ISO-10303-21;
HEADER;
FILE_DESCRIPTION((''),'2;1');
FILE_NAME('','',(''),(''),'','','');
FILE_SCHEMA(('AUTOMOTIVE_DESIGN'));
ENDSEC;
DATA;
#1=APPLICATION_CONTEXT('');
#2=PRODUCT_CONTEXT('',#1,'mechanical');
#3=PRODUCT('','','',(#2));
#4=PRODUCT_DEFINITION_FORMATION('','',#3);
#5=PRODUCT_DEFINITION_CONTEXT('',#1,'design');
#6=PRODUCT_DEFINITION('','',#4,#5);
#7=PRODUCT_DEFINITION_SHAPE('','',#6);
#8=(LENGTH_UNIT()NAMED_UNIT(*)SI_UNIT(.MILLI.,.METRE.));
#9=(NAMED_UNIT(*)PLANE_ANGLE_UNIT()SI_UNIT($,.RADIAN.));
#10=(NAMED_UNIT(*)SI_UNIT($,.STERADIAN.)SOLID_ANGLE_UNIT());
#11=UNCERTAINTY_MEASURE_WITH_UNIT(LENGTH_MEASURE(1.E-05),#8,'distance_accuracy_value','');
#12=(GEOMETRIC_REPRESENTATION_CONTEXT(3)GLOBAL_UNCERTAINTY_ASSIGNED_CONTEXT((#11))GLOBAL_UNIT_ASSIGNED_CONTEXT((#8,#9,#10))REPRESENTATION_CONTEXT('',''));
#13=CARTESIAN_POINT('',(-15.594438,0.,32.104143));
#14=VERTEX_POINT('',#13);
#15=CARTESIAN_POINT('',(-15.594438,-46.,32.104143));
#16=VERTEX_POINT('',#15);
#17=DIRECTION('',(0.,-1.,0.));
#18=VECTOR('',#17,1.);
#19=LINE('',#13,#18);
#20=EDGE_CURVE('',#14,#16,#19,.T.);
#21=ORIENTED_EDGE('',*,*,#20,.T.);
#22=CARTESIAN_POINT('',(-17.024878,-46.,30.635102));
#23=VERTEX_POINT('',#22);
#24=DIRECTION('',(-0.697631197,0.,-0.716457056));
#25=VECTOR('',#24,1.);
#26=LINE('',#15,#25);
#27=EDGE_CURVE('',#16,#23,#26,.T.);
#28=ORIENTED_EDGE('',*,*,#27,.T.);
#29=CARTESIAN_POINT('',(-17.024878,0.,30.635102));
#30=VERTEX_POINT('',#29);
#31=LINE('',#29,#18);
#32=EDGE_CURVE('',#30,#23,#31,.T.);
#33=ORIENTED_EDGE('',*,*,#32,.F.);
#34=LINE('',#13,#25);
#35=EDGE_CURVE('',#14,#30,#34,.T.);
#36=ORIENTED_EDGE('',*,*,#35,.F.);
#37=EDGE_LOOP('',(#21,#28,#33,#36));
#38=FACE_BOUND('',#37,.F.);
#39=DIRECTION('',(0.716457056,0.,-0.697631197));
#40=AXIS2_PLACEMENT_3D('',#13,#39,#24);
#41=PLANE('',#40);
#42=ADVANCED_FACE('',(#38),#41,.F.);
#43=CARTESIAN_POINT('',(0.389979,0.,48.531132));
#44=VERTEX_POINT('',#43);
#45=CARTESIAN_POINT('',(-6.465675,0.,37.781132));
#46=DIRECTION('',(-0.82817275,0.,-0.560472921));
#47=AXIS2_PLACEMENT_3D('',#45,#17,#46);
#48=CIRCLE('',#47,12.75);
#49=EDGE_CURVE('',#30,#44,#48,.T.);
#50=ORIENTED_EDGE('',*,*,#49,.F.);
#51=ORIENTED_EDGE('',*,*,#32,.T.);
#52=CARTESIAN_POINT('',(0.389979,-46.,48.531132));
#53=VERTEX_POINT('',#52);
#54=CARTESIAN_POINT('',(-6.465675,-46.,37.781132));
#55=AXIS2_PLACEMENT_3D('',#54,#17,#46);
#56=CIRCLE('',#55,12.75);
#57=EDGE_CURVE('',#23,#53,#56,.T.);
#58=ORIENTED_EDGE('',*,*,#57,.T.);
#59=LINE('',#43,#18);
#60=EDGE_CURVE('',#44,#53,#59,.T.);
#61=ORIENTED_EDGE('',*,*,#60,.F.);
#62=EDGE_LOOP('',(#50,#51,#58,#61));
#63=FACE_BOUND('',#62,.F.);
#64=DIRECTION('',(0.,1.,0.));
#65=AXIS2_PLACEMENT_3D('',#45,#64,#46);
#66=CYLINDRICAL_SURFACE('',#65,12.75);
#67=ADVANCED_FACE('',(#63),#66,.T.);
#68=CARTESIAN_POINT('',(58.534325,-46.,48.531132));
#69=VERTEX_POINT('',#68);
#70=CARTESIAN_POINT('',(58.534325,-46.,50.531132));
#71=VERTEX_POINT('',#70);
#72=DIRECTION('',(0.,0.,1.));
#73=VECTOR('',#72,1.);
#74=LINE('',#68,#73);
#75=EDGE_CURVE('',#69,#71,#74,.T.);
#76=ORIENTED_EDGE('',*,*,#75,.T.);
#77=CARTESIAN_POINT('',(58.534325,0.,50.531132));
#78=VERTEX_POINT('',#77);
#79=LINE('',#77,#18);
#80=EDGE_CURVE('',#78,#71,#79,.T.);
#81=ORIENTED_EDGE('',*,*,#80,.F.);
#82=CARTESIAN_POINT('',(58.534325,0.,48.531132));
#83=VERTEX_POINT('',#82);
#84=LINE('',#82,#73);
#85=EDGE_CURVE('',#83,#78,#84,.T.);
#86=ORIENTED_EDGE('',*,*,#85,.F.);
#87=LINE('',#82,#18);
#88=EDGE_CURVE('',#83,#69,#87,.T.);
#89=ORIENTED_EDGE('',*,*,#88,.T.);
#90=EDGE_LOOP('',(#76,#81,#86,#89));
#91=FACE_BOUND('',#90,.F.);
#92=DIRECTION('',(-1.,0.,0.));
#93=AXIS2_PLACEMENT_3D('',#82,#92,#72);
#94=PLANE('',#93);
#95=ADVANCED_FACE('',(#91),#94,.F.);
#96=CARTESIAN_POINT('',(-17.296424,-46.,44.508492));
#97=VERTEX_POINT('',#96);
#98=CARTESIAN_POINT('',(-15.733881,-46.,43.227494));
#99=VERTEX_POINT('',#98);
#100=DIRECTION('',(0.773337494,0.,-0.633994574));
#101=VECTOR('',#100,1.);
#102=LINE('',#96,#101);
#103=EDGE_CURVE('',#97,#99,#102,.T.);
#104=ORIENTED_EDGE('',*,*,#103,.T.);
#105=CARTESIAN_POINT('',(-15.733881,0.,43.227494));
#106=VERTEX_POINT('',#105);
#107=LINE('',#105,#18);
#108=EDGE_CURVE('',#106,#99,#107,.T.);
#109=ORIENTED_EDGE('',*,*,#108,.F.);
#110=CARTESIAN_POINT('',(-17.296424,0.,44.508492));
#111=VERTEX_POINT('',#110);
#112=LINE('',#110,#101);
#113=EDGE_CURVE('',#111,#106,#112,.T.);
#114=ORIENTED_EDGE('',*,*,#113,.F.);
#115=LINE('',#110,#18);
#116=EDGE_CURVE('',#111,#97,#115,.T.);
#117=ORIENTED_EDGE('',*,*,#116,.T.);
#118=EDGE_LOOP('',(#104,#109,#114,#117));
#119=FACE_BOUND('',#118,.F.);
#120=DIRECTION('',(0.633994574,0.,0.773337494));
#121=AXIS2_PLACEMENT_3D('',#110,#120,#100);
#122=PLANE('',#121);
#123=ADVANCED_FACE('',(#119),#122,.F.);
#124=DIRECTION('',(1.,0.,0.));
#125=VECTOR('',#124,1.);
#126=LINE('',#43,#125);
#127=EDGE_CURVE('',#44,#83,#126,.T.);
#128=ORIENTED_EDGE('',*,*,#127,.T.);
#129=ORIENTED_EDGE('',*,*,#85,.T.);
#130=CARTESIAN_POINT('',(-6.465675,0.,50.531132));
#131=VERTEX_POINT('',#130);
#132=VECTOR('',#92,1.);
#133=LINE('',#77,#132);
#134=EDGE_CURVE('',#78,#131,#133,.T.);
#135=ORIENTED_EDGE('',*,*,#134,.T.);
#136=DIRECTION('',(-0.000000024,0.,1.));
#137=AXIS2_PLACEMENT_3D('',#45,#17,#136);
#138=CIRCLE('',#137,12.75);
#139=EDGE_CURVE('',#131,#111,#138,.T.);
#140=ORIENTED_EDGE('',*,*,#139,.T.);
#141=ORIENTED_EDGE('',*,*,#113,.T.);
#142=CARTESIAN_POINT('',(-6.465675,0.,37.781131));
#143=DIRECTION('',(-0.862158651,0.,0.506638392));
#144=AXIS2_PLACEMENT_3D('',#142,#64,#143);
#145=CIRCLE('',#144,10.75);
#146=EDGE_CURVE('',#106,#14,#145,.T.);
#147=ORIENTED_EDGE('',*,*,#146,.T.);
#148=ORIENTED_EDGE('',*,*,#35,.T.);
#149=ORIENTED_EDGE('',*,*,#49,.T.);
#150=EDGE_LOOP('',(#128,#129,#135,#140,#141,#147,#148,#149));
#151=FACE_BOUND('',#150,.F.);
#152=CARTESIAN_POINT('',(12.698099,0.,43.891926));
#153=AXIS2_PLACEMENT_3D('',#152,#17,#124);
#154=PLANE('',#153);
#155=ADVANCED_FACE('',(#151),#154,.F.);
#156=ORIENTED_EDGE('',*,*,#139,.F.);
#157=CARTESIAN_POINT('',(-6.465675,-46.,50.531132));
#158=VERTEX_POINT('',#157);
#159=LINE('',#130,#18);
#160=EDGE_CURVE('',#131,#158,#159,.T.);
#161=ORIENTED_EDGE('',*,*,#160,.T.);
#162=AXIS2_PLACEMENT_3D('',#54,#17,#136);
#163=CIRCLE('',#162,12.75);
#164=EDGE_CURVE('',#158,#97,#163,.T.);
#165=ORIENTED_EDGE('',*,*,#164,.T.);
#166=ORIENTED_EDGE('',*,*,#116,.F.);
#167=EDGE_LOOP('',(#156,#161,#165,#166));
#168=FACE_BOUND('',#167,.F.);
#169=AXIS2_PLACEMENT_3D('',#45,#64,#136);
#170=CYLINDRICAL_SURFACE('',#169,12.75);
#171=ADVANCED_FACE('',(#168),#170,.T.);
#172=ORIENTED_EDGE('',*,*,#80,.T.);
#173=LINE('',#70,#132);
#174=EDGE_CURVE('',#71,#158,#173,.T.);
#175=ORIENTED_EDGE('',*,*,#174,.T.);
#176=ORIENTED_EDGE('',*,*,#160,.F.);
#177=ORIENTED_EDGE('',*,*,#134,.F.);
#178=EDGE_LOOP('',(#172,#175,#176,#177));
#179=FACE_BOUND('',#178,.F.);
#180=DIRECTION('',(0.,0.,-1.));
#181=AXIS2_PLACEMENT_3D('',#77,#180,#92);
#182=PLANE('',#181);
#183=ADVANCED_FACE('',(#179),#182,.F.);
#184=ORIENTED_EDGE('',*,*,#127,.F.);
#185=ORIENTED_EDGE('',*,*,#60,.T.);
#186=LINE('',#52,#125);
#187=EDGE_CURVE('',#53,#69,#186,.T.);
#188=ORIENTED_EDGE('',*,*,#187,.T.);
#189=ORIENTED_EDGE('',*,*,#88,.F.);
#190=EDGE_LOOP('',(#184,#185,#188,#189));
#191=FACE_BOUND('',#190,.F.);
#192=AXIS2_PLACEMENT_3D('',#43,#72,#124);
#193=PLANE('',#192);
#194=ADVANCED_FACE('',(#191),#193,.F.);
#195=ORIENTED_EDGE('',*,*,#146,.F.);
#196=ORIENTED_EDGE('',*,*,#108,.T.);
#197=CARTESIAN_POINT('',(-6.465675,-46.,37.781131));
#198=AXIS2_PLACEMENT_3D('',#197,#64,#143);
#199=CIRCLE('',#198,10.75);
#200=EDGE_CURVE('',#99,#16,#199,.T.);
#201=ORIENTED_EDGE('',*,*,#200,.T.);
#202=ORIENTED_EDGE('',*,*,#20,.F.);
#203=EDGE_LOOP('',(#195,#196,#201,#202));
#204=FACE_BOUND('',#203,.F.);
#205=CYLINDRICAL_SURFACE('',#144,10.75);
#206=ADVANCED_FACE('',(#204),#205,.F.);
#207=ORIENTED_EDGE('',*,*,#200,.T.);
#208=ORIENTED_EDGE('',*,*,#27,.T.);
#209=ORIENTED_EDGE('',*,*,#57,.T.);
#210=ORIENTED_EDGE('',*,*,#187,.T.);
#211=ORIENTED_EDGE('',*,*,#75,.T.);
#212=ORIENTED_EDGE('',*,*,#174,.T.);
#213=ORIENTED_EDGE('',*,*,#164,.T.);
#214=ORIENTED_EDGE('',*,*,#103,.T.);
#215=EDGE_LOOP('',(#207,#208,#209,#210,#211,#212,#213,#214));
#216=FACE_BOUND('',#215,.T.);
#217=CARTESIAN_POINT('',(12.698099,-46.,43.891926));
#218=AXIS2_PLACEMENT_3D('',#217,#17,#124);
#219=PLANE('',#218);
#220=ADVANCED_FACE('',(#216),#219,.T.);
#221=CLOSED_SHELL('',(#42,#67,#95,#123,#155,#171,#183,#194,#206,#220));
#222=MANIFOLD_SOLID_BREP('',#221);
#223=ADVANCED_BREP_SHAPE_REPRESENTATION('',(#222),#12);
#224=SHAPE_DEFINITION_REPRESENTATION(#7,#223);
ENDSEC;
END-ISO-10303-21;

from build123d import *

# Parameters (mm, degrees)
F1_DEPTH = 46


with BuildPart() as f1:
    # F0 (on Front) → F1 (new body)
    with BuildSketch(Plane.XZ):
        with BuildLine():
            ThreePointArc((-15.733881, 43.227494), (4.28348, 37.915884), (-15.594438, 32.104143))
            Line((-15.594438, 32.104143), (-17.024878, 30.635102))
            ThreePointArc((-17.024878, 30.635102), (2.671941, 28.889199), (0.389979, 48.531132))
            Line((0.389979, 48.531132), (58.534325, 48.531132))
            Line((58.534325, 48.531132), (58.534325, 50.531132))
            Line((58.534325, 50.531132), (-6.465675, 50.531132))
            ThreePointArc((-6.465675, 50.531132), (-12.661991, 48.924209), (-17.296424, 44.508492))
            Line((-17.296424, 44.508492), (-15.733881, 43.227494))
        make_face()
    extrude(amount=F1_DEPTH)


solid = f1.part
